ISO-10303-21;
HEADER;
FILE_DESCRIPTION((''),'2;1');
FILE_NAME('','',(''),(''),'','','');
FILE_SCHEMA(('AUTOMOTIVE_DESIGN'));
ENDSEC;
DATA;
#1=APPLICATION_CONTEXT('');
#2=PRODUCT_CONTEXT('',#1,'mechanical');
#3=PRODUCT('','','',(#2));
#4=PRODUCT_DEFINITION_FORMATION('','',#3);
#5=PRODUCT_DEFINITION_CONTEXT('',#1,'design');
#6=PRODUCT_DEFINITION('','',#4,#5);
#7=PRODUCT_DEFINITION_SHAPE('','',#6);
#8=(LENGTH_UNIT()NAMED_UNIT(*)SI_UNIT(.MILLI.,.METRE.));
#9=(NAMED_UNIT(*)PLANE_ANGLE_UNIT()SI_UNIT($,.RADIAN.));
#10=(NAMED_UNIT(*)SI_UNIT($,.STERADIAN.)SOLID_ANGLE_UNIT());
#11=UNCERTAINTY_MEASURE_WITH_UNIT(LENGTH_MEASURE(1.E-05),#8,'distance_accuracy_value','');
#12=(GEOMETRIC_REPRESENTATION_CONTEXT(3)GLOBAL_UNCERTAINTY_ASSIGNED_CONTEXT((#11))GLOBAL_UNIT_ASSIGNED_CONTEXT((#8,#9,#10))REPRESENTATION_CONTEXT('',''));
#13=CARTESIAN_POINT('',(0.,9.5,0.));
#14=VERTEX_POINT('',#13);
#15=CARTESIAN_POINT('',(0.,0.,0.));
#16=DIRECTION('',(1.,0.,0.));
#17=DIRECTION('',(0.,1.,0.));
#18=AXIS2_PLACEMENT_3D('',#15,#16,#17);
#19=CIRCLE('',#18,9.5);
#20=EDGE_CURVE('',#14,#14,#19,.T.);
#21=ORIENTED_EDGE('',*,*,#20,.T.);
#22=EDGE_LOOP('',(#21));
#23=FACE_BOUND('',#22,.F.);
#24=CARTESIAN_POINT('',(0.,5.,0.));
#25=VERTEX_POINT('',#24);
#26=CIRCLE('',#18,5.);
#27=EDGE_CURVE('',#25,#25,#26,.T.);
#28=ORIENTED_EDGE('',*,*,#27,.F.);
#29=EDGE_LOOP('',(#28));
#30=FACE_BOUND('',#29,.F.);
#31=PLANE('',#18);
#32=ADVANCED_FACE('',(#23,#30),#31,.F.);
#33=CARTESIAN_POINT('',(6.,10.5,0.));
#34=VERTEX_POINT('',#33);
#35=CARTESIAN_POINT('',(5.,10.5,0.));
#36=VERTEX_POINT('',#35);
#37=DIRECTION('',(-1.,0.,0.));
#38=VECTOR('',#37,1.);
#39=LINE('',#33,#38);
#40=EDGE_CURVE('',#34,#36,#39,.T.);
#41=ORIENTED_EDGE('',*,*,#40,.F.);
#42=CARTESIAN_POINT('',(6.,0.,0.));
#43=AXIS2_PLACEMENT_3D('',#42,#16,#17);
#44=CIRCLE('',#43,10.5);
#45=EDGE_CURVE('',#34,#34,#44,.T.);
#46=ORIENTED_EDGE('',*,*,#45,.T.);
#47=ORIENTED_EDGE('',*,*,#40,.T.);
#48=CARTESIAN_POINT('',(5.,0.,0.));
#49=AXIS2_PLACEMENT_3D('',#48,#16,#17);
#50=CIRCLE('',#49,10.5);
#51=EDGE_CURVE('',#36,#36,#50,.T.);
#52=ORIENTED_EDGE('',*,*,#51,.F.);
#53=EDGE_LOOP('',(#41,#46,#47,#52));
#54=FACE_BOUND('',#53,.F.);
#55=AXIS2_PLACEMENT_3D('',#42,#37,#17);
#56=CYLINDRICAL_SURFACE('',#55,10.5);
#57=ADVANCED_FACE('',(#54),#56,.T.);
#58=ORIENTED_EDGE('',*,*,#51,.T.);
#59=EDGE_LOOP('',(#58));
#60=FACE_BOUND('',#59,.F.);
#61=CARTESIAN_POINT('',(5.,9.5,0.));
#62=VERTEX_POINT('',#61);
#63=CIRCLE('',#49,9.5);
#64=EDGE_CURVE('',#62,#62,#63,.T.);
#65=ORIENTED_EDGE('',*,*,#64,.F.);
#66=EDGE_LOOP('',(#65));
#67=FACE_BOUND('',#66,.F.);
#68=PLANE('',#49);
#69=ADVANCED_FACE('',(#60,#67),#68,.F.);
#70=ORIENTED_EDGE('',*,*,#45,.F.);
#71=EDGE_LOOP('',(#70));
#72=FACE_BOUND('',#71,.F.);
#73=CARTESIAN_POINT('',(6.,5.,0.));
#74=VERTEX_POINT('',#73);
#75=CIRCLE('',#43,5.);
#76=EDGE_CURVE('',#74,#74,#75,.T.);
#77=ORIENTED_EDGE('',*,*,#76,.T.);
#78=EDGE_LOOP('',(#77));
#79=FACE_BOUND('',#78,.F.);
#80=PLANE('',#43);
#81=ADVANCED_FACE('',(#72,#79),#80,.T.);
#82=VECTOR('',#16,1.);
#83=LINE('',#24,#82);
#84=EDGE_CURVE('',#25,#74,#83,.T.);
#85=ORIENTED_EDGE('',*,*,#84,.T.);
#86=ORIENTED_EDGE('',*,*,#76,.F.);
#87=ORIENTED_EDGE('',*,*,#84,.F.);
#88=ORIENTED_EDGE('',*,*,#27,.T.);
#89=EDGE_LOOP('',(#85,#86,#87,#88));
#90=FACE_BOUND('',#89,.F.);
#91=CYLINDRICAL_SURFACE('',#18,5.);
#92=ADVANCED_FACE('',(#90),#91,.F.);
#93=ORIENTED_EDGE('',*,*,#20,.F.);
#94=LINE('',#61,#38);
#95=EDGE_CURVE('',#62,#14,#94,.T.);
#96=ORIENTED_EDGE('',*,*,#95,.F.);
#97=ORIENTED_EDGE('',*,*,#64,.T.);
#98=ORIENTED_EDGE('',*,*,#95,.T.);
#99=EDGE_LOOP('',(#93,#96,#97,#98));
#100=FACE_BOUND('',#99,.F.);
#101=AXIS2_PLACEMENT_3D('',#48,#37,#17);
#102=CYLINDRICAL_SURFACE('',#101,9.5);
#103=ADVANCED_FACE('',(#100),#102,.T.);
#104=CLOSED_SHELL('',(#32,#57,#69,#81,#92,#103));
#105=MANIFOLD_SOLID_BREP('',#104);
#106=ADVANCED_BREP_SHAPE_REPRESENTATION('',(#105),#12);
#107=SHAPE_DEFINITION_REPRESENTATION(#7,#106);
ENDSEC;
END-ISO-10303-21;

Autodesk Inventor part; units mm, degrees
ref_plane "YZ Plane" through (0, 0, 0) normal (1, 0, 0) x (0, 1, 0)
ref_plane "XZ Plane" through (0, 0, 0) normal (0, 1, 0) x (-1, 0, 0)
ref_plane "XY Plane" through (0, 0, 0) normal (0, 0, 1) x (1, 0, 0)
sketch "Sketch1" plane through (0, 0, 0) normal (0, 0, 1) x (1, 0, 0)
  line L0 (0, 9.5) -> (0, 5)
  line L1 (0, 5) -> (6, 5)
  line L2 (6, 5) -> (6, 10.5)
  line L3 (6, 10.5) -> (5, 10.5)
  line L4 (5, 10.5) -> (5, 9.5)
  line L5 (5, 9.5) -> (0, 9.5)
  line L6 (0, 0) -> (4.5572, 0) construction
  dimension "d0" = 5
  dimension "d1" = 9.5
  dimension "d2" = 1
  dimension "d3" = 6
  dimension "d4" = 10.5
revolve "Revolution1" add sketch "Sketch1" angle 360 about axis through (0, 0, 0) along (1, 0, 0)
properties part number "F688ZZ 8mm ID Flange" material "Stainless Steel"
